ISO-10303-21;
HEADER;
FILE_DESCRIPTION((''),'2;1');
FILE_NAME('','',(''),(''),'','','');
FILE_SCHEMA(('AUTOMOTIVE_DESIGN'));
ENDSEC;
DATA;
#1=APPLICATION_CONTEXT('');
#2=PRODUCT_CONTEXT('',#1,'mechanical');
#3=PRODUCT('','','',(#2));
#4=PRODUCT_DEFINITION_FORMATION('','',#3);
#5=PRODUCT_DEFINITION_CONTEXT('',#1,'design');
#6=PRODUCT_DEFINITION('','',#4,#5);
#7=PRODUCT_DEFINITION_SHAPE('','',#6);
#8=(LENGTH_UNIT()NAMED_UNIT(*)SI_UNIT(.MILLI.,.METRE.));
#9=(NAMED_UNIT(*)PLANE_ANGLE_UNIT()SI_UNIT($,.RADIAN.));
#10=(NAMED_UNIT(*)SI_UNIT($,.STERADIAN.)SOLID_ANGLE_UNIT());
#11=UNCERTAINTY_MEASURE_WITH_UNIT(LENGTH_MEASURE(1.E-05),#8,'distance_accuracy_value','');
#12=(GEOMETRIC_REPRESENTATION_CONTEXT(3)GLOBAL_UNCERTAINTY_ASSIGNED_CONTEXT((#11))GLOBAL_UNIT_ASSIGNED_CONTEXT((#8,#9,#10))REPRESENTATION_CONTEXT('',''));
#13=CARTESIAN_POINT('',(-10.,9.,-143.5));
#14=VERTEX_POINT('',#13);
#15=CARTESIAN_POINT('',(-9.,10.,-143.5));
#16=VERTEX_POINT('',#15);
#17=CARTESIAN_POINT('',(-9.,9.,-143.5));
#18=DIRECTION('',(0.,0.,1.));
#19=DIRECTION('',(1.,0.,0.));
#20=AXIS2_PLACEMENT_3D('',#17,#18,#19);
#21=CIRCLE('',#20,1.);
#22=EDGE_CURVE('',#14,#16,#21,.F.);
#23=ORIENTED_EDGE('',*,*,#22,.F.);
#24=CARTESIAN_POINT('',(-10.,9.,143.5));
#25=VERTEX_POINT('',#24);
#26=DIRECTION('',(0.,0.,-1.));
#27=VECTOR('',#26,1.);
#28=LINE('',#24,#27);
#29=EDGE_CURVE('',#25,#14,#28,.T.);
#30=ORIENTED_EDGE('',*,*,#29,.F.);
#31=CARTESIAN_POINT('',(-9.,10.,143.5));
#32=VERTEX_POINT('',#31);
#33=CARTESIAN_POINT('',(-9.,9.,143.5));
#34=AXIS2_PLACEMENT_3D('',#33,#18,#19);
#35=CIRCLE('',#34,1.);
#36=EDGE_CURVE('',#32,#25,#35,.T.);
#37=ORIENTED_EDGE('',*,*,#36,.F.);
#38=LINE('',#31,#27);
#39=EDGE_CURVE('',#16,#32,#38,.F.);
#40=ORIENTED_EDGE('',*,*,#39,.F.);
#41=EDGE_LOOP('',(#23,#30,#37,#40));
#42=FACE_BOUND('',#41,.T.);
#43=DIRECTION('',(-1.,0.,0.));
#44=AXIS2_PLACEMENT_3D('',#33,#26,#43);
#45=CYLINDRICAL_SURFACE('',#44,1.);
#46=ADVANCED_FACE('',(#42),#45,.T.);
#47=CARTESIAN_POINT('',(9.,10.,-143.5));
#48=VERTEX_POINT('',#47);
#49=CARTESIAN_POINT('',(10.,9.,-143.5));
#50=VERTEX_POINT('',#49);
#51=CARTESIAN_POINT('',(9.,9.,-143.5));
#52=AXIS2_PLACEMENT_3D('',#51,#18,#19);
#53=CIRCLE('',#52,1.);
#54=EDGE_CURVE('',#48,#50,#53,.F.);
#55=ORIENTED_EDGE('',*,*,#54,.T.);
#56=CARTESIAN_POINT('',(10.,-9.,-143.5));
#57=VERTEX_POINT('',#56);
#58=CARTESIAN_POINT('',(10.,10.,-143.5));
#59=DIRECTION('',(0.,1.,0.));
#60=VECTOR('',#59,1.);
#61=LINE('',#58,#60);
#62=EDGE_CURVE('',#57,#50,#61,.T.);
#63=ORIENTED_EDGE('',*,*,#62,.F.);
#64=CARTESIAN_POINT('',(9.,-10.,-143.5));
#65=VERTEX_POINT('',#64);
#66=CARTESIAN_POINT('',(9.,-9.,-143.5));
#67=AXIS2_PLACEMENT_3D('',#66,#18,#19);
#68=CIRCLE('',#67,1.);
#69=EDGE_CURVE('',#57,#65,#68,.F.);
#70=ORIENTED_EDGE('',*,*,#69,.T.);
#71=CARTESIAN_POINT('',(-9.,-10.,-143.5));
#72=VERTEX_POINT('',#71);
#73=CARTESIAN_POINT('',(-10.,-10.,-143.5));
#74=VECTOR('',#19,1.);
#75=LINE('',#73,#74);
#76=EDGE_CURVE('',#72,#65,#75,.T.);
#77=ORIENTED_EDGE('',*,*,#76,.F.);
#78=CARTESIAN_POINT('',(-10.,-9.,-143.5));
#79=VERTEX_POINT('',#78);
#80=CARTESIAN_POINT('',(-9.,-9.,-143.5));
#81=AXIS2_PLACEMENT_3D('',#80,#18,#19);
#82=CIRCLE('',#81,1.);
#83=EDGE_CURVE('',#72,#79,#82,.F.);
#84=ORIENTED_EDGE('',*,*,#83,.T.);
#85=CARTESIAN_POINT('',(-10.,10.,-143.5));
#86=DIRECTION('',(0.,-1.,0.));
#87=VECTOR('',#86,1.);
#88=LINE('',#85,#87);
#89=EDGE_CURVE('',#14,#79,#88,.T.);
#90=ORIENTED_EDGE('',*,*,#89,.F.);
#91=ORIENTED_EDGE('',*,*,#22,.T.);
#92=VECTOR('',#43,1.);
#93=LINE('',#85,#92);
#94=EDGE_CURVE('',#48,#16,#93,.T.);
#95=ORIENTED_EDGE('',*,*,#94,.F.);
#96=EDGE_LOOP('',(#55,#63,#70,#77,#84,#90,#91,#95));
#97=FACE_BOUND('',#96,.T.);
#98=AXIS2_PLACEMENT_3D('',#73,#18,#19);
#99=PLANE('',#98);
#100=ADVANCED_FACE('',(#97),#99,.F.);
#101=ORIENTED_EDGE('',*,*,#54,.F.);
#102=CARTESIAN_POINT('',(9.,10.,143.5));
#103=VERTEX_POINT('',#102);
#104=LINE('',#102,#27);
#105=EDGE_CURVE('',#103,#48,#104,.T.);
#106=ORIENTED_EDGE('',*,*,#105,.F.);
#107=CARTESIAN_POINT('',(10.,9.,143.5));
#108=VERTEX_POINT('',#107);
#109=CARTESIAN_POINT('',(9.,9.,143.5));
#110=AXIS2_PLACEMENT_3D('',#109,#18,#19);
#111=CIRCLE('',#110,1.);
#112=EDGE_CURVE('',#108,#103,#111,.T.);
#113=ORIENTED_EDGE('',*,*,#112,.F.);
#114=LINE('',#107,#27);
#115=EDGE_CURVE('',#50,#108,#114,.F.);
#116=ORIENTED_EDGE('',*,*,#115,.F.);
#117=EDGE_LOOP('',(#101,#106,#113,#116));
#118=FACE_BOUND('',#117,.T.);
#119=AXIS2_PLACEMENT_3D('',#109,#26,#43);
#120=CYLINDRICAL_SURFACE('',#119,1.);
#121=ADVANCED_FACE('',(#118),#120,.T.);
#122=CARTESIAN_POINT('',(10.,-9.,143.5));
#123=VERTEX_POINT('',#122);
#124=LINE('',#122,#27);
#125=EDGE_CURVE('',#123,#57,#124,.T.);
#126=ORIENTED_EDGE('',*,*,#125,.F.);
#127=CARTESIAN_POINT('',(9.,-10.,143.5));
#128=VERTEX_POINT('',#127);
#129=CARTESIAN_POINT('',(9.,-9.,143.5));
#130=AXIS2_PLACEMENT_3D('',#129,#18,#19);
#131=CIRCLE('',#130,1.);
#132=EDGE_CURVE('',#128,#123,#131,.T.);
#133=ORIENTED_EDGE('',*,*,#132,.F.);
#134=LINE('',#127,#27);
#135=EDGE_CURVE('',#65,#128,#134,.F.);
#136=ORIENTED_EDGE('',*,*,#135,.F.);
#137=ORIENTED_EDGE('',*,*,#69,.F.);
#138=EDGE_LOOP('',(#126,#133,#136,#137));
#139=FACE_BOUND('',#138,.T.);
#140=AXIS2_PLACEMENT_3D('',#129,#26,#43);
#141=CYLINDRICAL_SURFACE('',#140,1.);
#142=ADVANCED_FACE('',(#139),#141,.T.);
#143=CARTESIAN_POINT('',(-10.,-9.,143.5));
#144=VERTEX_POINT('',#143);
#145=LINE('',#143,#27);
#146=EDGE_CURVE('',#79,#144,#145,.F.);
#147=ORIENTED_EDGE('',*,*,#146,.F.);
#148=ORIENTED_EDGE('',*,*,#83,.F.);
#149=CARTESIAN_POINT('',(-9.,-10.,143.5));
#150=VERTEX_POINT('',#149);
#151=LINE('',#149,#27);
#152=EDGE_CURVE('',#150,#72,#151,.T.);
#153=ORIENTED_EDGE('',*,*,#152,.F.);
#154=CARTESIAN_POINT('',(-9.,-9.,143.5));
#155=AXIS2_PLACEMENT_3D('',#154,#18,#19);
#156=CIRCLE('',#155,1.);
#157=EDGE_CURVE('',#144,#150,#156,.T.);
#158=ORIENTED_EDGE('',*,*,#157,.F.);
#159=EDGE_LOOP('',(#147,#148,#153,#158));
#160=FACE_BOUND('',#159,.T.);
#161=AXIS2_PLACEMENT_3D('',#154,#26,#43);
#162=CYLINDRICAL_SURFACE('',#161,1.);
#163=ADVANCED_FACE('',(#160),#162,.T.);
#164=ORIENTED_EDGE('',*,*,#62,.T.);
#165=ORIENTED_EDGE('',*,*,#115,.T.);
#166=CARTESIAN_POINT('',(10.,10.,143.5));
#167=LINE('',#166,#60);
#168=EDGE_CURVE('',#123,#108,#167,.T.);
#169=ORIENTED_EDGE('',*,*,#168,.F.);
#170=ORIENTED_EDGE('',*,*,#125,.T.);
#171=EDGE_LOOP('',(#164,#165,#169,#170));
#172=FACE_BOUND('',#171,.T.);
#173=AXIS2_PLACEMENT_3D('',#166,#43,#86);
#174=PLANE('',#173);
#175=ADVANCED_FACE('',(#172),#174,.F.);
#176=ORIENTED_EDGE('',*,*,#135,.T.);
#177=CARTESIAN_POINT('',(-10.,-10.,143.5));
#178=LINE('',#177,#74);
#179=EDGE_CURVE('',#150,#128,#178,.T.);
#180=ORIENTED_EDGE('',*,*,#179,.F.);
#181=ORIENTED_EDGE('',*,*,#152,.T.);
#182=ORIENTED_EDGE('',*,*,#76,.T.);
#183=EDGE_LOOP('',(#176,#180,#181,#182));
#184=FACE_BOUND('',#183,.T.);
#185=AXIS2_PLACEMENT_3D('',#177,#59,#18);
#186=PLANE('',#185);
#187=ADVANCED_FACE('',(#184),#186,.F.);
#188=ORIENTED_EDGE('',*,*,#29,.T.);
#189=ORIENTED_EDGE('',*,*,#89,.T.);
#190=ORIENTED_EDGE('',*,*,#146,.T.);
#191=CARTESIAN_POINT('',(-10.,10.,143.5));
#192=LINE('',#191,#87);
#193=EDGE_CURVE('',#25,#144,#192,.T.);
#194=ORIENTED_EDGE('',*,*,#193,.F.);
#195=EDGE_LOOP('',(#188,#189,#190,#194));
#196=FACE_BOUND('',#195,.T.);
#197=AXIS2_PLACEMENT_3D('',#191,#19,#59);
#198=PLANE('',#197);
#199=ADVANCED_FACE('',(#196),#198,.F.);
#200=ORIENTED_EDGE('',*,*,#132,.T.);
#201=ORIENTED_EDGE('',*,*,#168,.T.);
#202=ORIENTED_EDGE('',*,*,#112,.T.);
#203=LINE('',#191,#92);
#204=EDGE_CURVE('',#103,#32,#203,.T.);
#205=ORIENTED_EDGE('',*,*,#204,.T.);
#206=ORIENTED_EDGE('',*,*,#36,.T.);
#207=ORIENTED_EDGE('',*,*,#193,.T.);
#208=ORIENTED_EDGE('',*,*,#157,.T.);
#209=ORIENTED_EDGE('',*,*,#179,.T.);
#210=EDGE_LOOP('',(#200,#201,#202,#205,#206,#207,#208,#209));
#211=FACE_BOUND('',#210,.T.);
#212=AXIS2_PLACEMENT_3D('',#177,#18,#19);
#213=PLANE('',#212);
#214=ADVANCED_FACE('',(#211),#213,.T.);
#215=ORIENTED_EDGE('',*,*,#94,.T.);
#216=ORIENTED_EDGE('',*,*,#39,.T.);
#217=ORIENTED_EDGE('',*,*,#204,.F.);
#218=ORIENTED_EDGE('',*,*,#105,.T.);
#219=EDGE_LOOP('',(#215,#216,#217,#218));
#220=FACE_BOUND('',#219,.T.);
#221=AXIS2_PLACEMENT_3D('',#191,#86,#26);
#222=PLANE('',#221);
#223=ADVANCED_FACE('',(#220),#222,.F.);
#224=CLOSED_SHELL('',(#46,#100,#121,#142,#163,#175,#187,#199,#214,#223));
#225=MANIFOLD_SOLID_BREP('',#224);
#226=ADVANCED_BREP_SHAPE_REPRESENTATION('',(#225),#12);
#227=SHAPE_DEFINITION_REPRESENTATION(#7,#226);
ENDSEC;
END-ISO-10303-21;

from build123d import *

# Parameters (mm, degrees)
SKETCH_1_W      = 20
SKETCH_1_H      = 20
EXTRUDE_1_DEPTH = 143.5
FILLET_1_R      = 1


with BuildPart() as part:
    # ｽｹｯﾁ1 → ﾎﾞｽ - 押し出し1 (new, symmetric)
    with BuildSketch(Plane.XY):
        Rectangle(SKETCH_1_W, SKETCH_1_H)
    extrude(amount=EXTRUDE_1_DEPTH, both=True)

    # ﾌｨﾚｯﾄ1
    fillet_1_edges = [part.edges().sort_by_distance(p)[0] for p in [
        (-10, 10, 0),
        (10, 10, 0),
        (10, -10, 0),
        (-10, -10, 0),
    ]]
    fillet(fillet_1_edges, radius=FILLET_1_R)


solid = part.part
